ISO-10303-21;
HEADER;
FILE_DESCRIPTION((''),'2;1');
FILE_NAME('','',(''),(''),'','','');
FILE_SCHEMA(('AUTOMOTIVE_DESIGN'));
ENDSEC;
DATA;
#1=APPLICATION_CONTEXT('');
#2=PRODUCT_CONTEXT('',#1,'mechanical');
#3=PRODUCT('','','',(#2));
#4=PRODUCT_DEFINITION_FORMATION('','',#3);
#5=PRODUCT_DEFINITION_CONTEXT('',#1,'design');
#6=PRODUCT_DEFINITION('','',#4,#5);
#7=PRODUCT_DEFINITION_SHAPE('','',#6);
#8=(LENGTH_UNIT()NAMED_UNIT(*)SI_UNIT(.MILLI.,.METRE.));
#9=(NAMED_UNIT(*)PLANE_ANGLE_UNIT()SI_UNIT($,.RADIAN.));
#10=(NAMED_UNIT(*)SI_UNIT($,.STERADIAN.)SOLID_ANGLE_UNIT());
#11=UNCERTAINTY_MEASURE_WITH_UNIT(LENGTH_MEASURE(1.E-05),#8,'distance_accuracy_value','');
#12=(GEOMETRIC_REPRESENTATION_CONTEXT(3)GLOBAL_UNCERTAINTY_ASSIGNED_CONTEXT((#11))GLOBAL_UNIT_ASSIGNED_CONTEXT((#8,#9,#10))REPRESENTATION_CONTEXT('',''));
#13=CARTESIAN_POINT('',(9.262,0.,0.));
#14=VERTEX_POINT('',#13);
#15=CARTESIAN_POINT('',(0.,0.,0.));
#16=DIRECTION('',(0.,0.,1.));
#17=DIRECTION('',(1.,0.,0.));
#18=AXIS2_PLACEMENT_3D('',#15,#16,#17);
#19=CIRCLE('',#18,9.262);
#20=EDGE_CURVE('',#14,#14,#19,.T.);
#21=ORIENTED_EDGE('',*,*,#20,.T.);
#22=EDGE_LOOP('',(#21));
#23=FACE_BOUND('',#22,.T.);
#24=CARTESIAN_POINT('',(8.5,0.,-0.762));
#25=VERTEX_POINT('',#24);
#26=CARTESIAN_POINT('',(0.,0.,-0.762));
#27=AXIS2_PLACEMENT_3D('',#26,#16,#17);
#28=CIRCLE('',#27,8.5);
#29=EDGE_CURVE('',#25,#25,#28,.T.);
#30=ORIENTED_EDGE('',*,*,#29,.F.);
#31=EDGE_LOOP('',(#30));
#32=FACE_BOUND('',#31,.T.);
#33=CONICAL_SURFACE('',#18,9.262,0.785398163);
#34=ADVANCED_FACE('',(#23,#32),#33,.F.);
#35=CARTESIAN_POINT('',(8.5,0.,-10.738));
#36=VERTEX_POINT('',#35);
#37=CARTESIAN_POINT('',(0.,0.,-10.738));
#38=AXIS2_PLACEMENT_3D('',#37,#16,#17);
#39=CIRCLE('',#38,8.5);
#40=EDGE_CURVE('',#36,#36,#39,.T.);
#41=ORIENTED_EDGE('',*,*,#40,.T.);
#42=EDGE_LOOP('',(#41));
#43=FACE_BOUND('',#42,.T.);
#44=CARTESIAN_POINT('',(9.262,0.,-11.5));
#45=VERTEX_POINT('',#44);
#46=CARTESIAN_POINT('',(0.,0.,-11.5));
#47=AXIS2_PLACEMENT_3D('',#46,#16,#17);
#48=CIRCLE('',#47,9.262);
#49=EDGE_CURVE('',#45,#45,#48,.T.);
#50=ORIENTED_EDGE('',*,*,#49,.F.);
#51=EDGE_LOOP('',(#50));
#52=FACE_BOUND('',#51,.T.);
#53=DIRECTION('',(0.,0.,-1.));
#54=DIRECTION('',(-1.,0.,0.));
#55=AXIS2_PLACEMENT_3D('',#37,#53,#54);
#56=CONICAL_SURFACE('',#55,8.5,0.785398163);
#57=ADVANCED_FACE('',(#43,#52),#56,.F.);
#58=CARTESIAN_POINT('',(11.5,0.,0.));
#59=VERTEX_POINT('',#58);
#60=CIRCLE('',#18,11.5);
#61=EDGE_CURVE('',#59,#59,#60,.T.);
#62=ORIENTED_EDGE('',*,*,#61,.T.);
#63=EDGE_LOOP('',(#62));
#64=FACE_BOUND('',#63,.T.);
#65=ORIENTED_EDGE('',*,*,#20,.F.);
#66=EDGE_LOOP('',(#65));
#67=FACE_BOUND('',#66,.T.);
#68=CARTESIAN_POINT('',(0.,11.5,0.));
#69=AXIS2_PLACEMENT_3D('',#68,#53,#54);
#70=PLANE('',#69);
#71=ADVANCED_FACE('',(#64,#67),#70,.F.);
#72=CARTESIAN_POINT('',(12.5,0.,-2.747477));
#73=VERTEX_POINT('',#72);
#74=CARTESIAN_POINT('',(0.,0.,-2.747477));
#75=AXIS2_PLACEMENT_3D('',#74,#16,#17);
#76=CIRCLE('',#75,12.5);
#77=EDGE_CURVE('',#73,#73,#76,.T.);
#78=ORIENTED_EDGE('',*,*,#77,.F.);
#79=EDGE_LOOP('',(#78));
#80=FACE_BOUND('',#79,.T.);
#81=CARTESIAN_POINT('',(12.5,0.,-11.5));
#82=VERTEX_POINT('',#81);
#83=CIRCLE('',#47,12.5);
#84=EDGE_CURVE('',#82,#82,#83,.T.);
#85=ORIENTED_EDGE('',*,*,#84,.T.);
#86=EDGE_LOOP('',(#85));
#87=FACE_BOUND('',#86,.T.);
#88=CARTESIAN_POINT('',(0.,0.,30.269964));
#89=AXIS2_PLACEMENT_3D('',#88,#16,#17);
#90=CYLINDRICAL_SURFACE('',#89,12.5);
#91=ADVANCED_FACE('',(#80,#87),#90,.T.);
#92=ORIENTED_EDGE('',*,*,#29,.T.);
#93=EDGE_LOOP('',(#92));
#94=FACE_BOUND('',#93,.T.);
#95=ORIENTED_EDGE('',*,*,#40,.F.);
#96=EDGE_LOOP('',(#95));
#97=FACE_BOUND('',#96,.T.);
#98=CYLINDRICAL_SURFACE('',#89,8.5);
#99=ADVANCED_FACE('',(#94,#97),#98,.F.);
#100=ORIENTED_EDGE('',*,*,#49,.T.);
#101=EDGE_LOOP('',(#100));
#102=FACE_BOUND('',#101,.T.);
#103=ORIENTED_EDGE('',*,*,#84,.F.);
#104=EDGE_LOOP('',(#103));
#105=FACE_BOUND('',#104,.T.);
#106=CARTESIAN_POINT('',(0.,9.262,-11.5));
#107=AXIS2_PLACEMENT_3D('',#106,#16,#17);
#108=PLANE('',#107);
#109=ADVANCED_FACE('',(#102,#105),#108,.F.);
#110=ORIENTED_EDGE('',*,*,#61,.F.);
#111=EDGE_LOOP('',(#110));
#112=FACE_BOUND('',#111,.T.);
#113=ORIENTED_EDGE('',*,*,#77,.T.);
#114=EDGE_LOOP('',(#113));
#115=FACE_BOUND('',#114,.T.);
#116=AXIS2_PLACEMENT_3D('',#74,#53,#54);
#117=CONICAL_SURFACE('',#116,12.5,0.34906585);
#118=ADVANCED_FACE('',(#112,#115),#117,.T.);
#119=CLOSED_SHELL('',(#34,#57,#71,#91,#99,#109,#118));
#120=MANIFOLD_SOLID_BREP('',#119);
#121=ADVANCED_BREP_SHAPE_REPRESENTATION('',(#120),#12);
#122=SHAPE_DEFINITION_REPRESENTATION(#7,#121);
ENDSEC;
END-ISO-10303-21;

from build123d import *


with BuildPart() as part:
    # Sketch1 → Revolve1 (revolve)
    with BuildSketch(Plane(origin=(0, 0, 0), x_dir=(0, 0, -1), z_dir=(1, 0, 0)), mode=Mode.PRIVATE) as revolve1_sk:
        Polygon((0.762, 8.5), (10.738, 8.5), (11.5, 9.262), (11.5, 12.5), (2.747477419, 12.5), (0, 11.5), (0, 9.262), align=None)
    revolve(revolve1_sk.sketch.rotate(Axis((0, 0, 30.269964388), (0, 0, -1)), 90), axis=Axis((0, 0, 30.269964388), (0, 0, -1)))


solid = part.part
